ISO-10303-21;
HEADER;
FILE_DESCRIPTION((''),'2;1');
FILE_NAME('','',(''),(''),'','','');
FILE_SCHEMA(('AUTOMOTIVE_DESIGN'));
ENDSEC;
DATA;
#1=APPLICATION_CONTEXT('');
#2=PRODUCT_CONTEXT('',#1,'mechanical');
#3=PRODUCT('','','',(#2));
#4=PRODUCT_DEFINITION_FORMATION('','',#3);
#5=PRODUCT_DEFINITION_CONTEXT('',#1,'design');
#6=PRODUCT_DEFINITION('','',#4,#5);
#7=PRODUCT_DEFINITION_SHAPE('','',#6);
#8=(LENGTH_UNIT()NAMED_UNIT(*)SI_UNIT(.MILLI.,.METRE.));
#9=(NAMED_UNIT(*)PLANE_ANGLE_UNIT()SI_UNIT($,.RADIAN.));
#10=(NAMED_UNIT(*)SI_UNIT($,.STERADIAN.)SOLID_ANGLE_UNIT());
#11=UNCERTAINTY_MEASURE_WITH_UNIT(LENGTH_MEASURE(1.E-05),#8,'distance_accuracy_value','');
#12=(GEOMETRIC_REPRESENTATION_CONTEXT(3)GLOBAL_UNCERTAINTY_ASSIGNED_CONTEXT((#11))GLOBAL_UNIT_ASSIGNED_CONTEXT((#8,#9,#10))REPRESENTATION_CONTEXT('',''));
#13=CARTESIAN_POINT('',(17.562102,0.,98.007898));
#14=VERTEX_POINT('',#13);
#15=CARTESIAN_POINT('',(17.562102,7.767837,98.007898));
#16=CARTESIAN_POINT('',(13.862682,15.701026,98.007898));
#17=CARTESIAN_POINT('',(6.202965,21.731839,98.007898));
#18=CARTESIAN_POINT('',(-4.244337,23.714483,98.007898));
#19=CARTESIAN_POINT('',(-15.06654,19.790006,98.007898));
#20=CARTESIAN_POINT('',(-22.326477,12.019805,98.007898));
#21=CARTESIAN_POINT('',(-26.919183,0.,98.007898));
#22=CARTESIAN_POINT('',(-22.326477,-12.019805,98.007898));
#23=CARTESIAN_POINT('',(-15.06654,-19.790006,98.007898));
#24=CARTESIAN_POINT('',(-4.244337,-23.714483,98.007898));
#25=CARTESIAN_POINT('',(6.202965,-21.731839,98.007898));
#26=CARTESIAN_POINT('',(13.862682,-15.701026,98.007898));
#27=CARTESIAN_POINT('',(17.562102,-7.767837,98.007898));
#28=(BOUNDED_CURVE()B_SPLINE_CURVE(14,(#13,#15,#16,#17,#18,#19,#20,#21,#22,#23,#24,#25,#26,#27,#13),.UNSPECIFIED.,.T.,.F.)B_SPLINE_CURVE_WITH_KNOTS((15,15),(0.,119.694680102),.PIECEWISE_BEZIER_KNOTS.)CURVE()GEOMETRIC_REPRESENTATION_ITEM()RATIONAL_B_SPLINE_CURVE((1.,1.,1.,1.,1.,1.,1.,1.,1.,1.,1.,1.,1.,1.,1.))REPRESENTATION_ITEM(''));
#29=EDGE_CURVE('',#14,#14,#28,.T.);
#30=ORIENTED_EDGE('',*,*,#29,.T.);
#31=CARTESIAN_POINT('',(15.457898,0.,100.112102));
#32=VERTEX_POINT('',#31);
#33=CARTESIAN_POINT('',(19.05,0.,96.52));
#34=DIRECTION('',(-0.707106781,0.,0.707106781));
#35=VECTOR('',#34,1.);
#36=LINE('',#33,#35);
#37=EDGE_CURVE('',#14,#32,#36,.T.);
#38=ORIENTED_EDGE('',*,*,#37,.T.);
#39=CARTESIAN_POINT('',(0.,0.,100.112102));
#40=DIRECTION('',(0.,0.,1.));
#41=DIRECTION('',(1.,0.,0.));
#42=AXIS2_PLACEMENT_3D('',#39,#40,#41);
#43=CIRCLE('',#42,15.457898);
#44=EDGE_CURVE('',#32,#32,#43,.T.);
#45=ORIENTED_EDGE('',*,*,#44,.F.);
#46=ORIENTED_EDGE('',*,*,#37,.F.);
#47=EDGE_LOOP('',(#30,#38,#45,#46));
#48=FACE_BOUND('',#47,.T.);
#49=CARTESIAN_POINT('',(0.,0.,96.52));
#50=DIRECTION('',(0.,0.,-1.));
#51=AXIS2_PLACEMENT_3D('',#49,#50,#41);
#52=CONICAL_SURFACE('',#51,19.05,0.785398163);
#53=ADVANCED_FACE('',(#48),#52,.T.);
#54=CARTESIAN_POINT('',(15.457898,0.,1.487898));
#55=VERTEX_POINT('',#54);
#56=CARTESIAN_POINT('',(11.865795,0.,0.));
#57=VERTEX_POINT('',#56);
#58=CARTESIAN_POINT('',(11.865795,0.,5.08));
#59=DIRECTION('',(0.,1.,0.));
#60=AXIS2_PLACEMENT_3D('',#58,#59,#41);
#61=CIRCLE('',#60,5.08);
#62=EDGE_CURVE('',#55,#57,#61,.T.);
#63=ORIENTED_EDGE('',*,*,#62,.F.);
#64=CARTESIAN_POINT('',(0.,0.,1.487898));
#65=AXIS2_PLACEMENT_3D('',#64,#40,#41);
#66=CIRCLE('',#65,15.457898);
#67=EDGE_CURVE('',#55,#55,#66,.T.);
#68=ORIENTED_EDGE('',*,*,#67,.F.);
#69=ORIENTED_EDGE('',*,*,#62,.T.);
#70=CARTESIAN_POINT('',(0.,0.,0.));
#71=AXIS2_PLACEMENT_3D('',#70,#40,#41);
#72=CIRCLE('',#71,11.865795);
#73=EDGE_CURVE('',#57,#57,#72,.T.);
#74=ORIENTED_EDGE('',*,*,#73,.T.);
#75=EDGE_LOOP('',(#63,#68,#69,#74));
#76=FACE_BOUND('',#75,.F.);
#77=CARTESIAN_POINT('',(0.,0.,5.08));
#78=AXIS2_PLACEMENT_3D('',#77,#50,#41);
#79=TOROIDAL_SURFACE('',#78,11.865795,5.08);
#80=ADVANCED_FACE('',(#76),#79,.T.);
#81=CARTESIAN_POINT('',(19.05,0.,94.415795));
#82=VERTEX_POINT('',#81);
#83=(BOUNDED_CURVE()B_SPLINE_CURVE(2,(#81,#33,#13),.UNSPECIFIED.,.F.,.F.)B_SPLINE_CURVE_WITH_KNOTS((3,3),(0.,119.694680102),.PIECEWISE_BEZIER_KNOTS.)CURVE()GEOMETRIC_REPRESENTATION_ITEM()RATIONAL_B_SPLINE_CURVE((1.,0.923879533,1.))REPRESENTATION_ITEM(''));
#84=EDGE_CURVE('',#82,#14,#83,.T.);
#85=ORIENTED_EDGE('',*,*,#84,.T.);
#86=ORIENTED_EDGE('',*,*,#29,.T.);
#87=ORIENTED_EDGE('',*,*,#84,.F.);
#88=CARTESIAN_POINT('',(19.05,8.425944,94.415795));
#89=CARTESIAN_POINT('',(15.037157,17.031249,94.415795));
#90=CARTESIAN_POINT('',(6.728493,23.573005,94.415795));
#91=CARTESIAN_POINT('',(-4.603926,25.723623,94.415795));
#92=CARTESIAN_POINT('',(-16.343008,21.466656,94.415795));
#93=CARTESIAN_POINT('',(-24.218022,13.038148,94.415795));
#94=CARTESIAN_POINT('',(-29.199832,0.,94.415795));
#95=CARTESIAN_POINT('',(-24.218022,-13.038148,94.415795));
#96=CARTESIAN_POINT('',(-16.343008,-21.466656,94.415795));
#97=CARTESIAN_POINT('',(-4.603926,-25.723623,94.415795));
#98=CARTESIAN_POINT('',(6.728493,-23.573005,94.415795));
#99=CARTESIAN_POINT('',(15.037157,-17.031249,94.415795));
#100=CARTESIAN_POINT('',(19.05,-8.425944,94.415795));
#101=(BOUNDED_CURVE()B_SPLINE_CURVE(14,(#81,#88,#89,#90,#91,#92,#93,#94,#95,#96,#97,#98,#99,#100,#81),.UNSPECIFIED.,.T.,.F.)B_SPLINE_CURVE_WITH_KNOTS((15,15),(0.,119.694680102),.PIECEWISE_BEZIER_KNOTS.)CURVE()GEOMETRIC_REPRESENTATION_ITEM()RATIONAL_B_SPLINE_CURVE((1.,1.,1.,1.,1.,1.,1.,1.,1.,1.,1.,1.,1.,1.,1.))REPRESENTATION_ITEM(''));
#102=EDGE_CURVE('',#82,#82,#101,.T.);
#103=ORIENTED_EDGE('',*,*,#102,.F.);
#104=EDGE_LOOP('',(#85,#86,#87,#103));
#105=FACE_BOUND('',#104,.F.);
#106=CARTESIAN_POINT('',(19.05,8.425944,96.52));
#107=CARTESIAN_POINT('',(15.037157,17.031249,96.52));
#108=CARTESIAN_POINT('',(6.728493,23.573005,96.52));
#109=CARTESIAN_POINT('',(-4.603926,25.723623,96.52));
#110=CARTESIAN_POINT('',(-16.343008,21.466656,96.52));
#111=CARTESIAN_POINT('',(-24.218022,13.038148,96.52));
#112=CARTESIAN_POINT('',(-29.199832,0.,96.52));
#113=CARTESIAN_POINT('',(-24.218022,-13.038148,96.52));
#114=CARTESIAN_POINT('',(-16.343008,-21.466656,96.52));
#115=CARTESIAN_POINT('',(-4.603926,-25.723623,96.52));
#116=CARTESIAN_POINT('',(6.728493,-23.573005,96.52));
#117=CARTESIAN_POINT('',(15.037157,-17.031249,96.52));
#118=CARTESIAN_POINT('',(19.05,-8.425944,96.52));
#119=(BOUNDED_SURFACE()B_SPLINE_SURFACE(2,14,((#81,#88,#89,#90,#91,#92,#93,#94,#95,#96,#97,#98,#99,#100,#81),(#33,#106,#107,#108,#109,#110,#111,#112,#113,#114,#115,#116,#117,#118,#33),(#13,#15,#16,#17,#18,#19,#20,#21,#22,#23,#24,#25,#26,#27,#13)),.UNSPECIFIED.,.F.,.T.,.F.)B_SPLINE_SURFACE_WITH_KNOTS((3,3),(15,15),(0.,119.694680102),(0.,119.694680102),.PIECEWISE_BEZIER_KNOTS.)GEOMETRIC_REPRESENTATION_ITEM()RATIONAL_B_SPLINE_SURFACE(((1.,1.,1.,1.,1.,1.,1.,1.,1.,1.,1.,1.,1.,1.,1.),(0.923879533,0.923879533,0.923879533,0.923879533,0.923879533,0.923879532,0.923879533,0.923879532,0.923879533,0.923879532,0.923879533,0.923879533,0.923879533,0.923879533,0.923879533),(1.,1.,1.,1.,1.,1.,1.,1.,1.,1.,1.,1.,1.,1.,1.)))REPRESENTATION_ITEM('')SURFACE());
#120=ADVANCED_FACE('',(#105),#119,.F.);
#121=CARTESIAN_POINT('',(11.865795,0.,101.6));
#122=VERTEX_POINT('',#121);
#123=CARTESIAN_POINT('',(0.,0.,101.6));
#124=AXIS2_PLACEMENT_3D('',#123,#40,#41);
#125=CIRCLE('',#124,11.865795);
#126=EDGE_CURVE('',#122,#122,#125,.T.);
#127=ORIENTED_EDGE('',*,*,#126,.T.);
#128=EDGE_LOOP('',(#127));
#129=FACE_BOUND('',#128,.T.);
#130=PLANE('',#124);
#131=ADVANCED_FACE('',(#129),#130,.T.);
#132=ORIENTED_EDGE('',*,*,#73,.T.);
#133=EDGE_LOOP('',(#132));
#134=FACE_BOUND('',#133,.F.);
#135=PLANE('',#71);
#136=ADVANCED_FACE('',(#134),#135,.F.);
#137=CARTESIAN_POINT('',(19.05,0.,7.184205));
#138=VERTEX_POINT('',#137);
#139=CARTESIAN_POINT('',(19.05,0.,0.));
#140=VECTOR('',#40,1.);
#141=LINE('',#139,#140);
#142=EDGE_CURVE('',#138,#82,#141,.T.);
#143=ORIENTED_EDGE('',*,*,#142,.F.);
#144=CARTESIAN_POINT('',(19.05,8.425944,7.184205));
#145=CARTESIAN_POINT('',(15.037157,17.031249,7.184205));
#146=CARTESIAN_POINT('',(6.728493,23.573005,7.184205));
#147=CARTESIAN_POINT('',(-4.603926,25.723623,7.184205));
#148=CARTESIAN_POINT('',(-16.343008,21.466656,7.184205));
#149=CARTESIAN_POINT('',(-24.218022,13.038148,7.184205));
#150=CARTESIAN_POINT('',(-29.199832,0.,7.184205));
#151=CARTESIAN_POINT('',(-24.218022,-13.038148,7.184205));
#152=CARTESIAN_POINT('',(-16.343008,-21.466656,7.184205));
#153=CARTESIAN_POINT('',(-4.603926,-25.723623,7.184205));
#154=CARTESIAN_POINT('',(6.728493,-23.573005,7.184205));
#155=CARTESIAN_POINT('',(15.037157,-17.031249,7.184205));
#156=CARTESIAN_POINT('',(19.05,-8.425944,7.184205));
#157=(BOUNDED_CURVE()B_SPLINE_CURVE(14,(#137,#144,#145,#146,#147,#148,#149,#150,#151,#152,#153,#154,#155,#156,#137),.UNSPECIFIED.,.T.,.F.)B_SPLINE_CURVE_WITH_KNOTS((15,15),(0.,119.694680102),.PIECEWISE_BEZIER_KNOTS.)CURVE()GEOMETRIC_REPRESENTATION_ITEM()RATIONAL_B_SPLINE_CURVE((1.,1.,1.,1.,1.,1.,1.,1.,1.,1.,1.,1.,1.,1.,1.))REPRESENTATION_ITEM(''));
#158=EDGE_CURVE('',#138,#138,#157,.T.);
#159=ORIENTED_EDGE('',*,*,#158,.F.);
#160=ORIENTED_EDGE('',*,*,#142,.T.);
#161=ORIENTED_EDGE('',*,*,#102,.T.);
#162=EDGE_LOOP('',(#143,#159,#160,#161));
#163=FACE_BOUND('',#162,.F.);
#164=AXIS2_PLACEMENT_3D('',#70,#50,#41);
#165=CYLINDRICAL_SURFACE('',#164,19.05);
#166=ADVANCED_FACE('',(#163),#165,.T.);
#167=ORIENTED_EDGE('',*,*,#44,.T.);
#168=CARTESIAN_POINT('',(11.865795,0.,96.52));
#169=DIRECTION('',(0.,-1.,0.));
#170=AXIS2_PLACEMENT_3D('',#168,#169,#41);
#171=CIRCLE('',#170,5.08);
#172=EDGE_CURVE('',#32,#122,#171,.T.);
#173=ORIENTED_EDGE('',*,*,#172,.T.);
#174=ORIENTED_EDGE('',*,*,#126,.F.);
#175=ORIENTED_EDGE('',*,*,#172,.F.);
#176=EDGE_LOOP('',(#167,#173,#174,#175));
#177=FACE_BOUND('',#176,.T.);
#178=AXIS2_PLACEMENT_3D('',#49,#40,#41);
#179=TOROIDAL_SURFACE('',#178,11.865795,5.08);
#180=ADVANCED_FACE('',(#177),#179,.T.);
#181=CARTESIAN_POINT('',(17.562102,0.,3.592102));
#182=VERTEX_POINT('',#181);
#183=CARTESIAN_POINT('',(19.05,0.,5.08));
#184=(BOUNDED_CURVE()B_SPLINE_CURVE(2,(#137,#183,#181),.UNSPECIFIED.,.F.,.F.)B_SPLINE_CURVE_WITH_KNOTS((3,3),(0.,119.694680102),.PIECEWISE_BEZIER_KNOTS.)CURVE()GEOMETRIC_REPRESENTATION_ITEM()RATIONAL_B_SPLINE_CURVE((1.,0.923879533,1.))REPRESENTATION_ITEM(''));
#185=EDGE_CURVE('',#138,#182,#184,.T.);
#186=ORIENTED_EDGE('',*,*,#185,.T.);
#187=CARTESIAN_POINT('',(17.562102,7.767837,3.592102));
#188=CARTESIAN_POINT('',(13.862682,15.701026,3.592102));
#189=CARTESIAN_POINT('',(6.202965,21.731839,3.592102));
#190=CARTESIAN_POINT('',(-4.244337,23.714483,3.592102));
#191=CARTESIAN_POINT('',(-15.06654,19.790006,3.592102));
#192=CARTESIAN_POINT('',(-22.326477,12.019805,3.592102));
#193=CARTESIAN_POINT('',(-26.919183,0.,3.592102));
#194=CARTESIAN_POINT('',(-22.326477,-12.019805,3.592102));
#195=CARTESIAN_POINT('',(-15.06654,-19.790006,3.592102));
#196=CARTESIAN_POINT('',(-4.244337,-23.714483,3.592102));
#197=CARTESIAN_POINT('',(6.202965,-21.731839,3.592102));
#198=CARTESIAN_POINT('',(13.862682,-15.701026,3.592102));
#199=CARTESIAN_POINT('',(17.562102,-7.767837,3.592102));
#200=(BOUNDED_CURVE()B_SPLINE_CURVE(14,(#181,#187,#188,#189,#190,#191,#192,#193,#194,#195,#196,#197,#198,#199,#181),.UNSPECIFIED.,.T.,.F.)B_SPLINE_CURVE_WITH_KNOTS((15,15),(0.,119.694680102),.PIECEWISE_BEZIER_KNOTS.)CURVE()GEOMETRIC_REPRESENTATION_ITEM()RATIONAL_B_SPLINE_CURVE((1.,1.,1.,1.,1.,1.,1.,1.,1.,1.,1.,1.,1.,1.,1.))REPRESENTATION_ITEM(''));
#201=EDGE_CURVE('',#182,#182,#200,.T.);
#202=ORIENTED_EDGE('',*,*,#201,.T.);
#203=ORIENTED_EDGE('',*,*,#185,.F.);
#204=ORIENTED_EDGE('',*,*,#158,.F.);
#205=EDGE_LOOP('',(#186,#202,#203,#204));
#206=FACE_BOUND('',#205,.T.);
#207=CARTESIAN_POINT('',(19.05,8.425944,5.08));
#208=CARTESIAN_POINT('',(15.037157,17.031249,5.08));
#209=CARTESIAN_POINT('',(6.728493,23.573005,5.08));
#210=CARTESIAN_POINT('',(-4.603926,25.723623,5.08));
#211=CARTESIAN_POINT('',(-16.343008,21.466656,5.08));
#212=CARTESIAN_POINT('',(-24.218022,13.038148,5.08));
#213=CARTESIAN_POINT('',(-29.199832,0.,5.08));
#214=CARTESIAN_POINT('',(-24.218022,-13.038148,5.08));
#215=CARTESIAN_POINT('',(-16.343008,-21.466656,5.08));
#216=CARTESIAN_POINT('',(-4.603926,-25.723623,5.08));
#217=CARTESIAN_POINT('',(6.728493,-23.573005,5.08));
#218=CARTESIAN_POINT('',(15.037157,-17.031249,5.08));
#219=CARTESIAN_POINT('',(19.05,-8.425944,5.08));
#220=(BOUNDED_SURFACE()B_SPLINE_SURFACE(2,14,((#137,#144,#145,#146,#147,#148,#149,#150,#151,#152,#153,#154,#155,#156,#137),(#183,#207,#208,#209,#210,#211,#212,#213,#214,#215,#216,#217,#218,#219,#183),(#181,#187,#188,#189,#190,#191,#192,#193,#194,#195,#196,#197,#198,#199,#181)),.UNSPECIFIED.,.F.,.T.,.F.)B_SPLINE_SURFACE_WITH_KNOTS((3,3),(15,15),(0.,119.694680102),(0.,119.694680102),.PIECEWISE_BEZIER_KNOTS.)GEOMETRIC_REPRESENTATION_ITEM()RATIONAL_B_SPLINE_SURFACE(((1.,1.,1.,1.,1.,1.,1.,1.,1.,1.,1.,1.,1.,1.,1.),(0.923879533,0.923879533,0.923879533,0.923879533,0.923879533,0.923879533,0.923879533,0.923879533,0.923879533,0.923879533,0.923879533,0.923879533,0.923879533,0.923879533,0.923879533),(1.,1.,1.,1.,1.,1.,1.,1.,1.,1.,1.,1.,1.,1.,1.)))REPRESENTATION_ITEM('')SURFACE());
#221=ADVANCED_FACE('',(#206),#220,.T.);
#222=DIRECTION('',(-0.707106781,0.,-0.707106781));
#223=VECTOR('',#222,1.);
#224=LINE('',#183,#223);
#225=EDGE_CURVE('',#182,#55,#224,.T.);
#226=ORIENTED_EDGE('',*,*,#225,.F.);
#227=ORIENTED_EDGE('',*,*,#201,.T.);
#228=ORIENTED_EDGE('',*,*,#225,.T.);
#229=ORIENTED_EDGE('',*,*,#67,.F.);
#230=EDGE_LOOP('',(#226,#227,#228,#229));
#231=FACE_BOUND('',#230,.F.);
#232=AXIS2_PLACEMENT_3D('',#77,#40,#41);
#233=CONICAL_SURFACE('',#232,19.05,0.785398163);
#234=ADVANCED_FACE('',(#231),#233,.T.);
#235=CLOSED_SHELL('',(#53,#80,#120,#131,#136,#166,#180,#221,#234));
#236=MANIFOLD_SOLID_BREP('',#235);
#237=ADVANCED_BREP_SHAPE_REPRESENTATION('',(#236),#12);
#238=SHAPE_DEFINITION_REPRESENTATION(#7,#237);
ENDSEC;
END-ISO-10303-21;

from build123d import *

# Parameters (mm, degrees)
F0_R     = 19.05
F1_DEPTH = 101.6
F2_SIZE  = 5.08
F3_R     = 5.08


with BuildPart() as f1:
    # F0 (on Top) → F1 (new body)
    with BuildSketch(Plane.XY):
        Circle(F0_R)
    extrude(amount=F1_DEPTH)

    # F2
    f2_edges = [f1.edges().sort_by_distance(p)[0] for p in [
        (-19.05, 0, 101.6),
        (-19.05, 0, 0),
    ]]
    chamfer(f2_edges, length=F2_SIZE)

    # F3
    f3_edges = [f1.edges().sort_by_distance(p)[0] for p in [
        (19.05, 0, 50.8),
        (-19.05, 0, 5.08),
        (-19.05, 0, 96.52),
        (-13.97, 0, 0),
        (-13.97, 0, 101.6),
    ]]
    fillet(f3_edges, radius=F3_R)


solid = f1.part
